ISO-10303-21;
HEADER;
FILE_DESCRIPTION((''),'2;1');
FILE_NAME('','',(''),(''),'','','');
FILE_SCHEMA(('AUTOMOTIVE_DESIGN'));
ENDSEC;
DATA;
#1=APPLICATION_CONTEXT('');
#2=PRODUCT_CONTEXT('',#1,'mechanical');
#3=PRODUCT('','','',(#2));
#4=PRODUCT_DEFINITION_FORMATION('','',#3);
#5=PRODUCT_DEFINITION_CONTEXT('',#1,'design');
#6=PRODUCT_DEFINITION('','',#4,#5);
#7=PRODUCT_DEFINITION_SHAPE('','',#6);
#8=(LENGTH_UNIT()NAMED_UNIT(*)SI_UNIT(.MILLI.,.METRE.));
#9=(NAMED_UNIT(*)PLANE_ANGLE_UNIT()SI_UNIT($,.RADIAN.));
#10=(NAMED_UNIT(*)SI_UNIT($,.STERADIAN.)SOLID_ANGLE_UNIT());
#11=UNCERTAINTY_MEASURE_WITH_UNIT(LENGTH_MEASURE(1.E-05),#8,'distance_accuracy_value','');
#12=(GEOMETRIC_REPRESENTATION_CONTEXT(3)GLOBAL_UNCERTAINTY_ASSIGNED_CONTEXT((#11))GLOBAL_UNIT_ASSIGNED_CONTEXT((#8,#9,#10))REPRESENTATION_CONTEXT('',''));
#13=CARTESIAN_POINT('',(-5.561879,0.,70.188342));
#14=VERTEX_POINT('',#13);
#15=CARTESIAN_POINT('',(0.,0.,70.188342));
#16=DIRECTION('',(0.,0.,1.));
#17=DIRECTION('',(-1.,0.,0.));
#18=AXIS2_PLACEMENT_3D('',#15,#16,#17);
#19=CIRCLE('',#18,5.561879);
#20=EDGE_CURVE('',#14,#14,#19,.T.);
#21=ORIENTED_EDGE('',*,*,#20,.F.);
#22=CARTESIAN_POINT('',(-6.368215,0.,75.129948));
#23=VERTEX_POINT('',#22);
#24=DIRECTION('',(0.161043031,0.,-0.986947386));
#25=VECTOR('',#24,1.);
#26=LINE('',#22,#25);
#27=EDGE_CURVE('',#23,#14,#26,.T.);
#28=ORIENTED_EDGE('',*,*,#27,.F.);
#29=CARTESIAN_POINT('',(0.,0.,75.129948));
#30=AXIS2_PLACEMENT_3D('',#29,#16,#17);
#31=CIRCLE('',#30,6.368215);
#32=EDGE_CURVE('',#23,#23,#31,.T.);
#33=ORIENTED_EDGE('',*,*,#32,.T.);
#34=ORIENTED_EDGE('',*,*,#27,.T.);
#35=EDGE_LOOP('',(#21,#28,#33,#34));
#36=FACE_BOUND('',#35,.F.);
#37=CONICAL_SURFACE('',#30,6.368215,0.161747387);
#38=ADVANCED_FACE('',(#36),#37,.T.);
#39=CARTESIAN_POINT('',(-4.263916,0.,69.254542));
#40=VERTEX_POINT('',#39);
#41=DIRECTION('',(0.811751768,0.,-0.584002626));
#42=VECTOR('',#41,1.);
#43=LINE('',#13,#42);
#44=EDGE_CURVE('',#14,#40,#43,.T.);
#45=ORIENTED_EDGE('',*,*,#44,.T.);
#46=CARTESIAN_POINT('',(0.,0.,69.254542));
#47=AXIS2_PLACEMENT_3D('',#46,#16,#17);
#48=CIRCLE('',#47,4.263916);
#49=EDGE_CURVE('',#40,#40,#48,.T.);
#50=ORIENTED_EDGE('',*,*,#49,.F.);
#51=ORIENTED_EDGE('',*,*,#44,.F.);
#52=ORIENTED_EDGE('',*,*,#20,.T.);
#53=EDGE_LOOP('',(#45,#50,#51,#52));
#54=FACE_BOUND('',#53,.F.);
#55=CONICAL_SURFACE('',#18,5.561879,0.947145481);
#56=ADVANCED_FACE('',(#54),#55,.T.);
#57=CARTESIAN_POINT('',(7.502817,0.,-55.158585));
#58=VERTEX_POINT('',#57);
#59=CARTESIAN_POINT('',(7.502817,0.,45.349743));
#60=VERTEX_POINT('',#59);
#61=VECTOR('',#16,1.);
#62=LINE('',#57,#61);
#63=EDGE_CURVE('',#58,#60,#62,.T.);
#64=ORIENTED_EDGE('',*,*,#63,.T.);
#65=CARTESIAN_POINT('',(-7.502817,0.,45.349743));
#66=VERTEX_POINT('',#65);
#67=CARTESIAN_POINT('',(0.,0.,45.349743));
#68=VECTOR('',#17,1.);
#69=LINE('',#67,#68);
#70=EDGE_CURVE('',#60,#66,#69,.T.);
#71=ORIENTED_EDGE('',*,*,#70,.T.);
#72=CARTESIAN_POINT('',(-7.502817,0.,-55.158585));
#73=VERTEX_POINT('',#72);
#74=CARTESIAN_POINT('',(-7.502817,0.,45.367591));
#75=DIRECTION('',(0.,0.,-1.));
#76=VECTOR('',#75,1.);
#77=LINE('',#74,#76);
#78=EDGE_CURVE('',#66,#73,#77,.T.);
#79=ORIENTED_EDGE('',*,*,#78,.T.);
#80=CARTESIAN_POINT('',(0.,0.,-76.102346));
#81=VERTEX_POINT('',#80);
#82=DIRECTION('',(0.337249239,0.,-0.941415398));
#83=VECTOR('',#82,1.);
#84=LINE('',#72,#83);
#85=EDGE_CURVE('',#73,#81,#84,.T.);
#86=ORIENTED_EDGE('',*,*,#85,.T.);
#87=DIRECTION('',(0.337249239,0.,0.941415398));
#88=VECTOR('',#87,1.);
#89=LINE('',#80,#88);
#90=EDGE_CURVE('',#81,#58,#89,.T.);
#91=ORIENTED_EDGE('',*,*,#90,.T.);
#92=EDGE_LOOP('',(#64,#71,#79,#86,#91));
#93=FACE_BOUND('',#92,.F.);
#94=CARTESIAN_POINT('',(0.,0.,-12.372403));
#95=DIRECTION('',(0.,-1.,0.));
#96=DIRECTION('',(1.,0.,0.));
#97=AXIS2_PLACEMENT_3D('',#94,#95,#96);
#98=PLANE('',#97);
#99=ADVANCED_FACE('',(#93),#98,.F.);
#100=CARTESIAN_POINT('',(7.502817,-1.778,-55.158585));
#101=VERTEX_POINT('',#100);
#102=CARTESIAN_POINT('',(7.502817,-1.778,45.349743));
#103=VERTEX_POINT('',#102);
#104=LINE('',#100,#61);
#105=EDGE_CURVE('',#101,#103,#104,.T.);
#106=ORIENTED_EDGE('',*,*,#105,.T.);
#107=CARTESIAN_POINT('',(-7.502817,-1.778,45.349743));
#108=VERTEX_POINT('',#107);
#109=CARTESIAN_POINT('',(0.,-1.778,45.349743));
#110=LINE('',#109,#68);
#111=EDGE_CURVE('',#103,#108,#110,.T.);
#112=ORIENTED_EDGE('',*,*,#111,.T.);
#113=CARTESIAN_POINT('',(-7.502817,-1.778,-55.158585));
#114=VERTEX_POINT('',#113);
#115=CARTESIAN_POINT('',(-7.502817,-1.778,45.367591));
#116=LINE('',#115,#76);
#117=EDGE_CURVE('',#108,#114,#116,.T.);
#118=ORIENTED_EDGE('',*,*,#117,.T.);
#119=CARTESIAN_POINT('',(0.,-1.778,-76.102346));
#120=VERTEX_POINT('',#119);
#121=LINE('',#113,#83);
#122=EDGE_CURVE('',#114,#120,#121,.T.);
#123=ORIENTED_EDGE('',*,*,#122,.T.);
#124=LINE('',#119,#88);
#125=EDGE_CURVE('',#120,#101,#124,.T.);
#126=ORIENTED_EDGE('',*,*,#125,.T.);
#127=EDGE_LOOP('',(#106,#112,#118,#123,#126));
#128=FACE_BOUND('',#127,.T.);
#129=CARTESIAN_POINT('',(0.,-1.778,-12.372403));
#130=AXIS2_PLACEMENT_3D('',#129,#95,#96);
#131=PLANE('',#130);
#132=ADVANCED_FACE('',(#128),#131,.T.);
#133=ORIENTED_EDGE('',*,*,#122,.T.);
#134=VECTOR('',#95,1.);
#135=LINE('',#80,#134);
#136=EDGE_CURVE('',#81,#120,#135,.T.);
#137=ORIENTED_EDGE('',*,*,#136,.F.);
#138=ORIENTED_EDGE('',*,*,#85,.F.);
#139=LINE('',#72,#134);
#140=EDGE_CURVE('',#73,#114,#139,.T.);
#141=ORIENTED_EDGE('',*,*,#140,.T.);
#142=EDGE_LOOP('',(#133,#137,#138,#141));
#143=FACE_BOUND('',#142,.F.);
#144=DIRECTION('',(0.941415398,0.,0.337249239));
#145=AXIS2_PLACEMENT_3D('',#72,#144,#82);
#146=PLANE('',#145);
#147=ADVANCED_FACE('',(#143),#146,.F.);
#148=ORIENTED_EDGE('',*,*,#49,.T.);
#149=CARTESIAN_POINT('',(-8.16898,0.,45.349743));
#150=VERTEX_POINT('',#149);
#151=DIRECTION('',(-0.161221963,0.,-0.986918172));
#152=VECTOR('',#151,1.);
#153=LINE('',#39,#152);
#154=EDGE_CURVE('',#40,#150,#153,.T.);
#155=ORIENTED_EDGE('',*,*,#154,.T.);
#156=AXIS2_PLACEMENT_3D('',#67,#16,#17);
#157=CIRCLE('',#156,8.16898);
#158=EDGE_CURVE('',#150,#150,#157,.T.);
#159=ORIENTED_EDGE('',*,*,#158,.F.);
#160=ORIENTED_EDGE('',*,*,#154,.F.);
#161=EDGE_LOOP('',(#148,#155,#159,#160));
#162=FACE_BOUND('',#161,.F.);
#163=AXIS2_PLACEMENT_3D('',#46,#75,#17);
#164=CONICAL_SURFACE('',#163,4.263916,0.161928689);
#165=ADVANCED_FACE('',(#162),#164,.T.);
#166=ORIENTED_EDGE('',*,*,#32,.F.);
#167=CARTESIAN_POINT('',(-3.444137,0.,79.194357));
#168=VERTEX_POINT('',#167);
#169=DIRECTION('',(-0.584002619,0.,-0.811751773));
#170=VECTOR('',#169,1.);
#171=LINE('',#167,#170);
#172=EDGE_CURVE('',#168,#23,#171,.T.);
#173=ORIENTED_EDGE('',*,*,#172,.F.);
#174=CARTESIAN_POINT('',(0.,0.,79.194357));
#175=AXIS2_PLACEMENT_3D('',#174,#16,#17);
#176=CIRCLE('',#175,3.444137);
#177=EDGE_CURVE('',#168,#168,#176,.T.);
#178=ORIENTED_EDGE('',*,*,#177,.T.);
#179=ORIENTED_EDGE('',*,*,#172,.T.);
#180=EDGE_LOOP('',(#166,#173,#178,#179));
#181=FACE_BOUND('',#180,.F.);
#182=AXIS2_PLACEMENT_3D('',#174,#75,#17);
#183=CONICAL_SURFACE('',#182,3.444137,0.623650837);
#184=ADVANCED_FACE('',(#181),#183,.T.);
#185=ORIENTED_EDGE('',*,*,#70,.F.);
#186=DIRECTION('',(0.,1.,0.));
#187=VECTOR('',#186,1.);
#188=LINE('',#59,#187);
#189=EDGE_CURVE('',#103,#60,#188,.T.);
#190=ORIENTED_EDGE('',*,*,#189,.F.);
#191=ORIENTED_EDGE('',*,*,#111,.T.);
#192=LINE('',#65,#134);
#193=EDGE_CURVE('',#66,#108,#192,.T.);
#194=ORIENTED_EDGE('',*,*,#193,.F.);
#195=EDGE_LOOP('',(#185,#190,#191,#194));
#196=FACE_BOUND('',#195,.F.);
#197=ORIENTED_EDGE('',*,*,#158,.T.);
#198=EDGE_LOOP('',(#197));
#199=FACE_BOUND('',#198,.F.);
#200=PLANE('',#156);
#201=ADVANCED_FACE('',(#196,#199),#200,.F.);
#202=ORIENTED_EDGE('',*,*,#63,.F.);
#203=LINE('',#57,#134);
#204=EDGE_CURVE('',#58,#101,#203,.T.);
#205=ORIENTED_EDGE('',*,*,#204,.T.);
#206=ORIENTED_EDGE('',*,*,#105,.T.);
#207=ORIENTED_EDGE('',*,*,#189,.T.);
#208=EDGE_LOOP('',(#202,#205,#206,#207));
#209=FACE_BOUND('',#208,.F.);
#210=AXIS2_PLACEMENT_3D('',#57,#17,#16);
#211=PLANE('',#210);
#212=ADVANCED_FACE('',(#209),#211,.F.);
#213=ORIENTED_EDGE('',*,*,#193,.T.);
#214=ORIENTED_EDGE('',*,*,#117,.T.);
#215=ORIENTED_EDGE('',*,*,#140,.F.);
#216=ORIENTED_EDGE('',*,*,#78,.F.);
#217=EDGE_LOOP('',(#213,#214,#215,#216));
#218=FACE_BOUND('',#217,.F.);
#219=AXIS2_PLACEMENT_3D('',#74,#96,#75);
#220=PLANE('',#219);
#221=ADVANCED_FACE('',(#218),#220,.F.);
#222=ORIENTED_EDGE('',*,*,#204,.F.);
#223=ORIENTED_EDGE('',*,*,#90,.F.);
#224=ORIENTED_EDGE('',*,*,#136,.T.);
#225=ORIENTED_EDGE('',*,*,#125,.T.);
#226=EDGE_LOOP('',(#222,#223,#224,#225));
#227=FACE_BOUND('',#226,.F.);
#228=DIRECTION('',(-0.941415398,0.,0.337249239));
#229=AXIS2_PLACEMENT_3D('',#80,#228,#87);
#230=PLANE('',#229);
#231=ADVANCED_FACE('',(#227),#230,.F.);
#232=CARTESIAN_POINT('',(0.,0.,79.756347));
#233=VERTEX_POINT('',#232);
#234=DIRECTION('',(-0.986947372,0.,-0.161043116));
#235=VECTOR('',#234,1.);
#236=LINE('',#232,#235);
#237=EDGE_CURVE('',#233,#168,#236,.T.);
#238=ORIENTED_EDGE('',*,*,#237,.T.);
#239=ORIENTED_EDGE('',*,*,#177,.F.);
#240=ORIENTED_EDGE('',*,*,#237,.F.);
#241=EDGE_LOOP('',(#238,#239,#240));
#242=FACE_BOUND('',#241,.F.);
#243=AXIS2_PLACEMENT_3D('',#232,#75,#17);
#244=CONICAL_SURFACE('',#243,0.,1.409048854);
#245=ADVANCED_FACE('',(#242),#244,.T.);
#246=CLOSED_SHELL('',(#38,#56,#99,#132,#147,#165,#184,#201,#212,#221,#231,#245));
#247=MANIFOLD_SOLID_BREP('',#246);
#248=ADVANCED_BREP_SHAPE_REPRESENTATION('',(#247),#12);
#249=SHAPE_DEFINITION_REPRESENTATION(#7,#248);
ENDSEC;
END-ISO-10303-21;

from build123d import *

# Parameters (mm, degrees)
F1_DEPTH = 1.778


with BuildPart() as f1:
    # F0 (on Front) → F1 (new body)
    with BuildSketch(Plane.XZ):
        Polygon((0, 45.367591), (-7.502817, 45.367591), (-7.502817, -55.158585), (0, -76.102346), (7.502817, -55.158585), (7.502817, 45.367591), align=None)
    extrude(amount=F1_DEPTH)

    # F2 (on Front) → F4 (revolve)
    with BuildSketch(Plane.XZ):
        Polygon((-8.16898, 45.349743), (0, 45.349743), (0, 79.756347), (-3.444137, 79.194357), (-6.368215, 75.129948), (-5.561879, 70.188342), (-4.263916, 69.254542), align=None)
    revolve(axis=Axis((0, 0, 61.601587), (0, 0, 1)))


solid = f1.part
